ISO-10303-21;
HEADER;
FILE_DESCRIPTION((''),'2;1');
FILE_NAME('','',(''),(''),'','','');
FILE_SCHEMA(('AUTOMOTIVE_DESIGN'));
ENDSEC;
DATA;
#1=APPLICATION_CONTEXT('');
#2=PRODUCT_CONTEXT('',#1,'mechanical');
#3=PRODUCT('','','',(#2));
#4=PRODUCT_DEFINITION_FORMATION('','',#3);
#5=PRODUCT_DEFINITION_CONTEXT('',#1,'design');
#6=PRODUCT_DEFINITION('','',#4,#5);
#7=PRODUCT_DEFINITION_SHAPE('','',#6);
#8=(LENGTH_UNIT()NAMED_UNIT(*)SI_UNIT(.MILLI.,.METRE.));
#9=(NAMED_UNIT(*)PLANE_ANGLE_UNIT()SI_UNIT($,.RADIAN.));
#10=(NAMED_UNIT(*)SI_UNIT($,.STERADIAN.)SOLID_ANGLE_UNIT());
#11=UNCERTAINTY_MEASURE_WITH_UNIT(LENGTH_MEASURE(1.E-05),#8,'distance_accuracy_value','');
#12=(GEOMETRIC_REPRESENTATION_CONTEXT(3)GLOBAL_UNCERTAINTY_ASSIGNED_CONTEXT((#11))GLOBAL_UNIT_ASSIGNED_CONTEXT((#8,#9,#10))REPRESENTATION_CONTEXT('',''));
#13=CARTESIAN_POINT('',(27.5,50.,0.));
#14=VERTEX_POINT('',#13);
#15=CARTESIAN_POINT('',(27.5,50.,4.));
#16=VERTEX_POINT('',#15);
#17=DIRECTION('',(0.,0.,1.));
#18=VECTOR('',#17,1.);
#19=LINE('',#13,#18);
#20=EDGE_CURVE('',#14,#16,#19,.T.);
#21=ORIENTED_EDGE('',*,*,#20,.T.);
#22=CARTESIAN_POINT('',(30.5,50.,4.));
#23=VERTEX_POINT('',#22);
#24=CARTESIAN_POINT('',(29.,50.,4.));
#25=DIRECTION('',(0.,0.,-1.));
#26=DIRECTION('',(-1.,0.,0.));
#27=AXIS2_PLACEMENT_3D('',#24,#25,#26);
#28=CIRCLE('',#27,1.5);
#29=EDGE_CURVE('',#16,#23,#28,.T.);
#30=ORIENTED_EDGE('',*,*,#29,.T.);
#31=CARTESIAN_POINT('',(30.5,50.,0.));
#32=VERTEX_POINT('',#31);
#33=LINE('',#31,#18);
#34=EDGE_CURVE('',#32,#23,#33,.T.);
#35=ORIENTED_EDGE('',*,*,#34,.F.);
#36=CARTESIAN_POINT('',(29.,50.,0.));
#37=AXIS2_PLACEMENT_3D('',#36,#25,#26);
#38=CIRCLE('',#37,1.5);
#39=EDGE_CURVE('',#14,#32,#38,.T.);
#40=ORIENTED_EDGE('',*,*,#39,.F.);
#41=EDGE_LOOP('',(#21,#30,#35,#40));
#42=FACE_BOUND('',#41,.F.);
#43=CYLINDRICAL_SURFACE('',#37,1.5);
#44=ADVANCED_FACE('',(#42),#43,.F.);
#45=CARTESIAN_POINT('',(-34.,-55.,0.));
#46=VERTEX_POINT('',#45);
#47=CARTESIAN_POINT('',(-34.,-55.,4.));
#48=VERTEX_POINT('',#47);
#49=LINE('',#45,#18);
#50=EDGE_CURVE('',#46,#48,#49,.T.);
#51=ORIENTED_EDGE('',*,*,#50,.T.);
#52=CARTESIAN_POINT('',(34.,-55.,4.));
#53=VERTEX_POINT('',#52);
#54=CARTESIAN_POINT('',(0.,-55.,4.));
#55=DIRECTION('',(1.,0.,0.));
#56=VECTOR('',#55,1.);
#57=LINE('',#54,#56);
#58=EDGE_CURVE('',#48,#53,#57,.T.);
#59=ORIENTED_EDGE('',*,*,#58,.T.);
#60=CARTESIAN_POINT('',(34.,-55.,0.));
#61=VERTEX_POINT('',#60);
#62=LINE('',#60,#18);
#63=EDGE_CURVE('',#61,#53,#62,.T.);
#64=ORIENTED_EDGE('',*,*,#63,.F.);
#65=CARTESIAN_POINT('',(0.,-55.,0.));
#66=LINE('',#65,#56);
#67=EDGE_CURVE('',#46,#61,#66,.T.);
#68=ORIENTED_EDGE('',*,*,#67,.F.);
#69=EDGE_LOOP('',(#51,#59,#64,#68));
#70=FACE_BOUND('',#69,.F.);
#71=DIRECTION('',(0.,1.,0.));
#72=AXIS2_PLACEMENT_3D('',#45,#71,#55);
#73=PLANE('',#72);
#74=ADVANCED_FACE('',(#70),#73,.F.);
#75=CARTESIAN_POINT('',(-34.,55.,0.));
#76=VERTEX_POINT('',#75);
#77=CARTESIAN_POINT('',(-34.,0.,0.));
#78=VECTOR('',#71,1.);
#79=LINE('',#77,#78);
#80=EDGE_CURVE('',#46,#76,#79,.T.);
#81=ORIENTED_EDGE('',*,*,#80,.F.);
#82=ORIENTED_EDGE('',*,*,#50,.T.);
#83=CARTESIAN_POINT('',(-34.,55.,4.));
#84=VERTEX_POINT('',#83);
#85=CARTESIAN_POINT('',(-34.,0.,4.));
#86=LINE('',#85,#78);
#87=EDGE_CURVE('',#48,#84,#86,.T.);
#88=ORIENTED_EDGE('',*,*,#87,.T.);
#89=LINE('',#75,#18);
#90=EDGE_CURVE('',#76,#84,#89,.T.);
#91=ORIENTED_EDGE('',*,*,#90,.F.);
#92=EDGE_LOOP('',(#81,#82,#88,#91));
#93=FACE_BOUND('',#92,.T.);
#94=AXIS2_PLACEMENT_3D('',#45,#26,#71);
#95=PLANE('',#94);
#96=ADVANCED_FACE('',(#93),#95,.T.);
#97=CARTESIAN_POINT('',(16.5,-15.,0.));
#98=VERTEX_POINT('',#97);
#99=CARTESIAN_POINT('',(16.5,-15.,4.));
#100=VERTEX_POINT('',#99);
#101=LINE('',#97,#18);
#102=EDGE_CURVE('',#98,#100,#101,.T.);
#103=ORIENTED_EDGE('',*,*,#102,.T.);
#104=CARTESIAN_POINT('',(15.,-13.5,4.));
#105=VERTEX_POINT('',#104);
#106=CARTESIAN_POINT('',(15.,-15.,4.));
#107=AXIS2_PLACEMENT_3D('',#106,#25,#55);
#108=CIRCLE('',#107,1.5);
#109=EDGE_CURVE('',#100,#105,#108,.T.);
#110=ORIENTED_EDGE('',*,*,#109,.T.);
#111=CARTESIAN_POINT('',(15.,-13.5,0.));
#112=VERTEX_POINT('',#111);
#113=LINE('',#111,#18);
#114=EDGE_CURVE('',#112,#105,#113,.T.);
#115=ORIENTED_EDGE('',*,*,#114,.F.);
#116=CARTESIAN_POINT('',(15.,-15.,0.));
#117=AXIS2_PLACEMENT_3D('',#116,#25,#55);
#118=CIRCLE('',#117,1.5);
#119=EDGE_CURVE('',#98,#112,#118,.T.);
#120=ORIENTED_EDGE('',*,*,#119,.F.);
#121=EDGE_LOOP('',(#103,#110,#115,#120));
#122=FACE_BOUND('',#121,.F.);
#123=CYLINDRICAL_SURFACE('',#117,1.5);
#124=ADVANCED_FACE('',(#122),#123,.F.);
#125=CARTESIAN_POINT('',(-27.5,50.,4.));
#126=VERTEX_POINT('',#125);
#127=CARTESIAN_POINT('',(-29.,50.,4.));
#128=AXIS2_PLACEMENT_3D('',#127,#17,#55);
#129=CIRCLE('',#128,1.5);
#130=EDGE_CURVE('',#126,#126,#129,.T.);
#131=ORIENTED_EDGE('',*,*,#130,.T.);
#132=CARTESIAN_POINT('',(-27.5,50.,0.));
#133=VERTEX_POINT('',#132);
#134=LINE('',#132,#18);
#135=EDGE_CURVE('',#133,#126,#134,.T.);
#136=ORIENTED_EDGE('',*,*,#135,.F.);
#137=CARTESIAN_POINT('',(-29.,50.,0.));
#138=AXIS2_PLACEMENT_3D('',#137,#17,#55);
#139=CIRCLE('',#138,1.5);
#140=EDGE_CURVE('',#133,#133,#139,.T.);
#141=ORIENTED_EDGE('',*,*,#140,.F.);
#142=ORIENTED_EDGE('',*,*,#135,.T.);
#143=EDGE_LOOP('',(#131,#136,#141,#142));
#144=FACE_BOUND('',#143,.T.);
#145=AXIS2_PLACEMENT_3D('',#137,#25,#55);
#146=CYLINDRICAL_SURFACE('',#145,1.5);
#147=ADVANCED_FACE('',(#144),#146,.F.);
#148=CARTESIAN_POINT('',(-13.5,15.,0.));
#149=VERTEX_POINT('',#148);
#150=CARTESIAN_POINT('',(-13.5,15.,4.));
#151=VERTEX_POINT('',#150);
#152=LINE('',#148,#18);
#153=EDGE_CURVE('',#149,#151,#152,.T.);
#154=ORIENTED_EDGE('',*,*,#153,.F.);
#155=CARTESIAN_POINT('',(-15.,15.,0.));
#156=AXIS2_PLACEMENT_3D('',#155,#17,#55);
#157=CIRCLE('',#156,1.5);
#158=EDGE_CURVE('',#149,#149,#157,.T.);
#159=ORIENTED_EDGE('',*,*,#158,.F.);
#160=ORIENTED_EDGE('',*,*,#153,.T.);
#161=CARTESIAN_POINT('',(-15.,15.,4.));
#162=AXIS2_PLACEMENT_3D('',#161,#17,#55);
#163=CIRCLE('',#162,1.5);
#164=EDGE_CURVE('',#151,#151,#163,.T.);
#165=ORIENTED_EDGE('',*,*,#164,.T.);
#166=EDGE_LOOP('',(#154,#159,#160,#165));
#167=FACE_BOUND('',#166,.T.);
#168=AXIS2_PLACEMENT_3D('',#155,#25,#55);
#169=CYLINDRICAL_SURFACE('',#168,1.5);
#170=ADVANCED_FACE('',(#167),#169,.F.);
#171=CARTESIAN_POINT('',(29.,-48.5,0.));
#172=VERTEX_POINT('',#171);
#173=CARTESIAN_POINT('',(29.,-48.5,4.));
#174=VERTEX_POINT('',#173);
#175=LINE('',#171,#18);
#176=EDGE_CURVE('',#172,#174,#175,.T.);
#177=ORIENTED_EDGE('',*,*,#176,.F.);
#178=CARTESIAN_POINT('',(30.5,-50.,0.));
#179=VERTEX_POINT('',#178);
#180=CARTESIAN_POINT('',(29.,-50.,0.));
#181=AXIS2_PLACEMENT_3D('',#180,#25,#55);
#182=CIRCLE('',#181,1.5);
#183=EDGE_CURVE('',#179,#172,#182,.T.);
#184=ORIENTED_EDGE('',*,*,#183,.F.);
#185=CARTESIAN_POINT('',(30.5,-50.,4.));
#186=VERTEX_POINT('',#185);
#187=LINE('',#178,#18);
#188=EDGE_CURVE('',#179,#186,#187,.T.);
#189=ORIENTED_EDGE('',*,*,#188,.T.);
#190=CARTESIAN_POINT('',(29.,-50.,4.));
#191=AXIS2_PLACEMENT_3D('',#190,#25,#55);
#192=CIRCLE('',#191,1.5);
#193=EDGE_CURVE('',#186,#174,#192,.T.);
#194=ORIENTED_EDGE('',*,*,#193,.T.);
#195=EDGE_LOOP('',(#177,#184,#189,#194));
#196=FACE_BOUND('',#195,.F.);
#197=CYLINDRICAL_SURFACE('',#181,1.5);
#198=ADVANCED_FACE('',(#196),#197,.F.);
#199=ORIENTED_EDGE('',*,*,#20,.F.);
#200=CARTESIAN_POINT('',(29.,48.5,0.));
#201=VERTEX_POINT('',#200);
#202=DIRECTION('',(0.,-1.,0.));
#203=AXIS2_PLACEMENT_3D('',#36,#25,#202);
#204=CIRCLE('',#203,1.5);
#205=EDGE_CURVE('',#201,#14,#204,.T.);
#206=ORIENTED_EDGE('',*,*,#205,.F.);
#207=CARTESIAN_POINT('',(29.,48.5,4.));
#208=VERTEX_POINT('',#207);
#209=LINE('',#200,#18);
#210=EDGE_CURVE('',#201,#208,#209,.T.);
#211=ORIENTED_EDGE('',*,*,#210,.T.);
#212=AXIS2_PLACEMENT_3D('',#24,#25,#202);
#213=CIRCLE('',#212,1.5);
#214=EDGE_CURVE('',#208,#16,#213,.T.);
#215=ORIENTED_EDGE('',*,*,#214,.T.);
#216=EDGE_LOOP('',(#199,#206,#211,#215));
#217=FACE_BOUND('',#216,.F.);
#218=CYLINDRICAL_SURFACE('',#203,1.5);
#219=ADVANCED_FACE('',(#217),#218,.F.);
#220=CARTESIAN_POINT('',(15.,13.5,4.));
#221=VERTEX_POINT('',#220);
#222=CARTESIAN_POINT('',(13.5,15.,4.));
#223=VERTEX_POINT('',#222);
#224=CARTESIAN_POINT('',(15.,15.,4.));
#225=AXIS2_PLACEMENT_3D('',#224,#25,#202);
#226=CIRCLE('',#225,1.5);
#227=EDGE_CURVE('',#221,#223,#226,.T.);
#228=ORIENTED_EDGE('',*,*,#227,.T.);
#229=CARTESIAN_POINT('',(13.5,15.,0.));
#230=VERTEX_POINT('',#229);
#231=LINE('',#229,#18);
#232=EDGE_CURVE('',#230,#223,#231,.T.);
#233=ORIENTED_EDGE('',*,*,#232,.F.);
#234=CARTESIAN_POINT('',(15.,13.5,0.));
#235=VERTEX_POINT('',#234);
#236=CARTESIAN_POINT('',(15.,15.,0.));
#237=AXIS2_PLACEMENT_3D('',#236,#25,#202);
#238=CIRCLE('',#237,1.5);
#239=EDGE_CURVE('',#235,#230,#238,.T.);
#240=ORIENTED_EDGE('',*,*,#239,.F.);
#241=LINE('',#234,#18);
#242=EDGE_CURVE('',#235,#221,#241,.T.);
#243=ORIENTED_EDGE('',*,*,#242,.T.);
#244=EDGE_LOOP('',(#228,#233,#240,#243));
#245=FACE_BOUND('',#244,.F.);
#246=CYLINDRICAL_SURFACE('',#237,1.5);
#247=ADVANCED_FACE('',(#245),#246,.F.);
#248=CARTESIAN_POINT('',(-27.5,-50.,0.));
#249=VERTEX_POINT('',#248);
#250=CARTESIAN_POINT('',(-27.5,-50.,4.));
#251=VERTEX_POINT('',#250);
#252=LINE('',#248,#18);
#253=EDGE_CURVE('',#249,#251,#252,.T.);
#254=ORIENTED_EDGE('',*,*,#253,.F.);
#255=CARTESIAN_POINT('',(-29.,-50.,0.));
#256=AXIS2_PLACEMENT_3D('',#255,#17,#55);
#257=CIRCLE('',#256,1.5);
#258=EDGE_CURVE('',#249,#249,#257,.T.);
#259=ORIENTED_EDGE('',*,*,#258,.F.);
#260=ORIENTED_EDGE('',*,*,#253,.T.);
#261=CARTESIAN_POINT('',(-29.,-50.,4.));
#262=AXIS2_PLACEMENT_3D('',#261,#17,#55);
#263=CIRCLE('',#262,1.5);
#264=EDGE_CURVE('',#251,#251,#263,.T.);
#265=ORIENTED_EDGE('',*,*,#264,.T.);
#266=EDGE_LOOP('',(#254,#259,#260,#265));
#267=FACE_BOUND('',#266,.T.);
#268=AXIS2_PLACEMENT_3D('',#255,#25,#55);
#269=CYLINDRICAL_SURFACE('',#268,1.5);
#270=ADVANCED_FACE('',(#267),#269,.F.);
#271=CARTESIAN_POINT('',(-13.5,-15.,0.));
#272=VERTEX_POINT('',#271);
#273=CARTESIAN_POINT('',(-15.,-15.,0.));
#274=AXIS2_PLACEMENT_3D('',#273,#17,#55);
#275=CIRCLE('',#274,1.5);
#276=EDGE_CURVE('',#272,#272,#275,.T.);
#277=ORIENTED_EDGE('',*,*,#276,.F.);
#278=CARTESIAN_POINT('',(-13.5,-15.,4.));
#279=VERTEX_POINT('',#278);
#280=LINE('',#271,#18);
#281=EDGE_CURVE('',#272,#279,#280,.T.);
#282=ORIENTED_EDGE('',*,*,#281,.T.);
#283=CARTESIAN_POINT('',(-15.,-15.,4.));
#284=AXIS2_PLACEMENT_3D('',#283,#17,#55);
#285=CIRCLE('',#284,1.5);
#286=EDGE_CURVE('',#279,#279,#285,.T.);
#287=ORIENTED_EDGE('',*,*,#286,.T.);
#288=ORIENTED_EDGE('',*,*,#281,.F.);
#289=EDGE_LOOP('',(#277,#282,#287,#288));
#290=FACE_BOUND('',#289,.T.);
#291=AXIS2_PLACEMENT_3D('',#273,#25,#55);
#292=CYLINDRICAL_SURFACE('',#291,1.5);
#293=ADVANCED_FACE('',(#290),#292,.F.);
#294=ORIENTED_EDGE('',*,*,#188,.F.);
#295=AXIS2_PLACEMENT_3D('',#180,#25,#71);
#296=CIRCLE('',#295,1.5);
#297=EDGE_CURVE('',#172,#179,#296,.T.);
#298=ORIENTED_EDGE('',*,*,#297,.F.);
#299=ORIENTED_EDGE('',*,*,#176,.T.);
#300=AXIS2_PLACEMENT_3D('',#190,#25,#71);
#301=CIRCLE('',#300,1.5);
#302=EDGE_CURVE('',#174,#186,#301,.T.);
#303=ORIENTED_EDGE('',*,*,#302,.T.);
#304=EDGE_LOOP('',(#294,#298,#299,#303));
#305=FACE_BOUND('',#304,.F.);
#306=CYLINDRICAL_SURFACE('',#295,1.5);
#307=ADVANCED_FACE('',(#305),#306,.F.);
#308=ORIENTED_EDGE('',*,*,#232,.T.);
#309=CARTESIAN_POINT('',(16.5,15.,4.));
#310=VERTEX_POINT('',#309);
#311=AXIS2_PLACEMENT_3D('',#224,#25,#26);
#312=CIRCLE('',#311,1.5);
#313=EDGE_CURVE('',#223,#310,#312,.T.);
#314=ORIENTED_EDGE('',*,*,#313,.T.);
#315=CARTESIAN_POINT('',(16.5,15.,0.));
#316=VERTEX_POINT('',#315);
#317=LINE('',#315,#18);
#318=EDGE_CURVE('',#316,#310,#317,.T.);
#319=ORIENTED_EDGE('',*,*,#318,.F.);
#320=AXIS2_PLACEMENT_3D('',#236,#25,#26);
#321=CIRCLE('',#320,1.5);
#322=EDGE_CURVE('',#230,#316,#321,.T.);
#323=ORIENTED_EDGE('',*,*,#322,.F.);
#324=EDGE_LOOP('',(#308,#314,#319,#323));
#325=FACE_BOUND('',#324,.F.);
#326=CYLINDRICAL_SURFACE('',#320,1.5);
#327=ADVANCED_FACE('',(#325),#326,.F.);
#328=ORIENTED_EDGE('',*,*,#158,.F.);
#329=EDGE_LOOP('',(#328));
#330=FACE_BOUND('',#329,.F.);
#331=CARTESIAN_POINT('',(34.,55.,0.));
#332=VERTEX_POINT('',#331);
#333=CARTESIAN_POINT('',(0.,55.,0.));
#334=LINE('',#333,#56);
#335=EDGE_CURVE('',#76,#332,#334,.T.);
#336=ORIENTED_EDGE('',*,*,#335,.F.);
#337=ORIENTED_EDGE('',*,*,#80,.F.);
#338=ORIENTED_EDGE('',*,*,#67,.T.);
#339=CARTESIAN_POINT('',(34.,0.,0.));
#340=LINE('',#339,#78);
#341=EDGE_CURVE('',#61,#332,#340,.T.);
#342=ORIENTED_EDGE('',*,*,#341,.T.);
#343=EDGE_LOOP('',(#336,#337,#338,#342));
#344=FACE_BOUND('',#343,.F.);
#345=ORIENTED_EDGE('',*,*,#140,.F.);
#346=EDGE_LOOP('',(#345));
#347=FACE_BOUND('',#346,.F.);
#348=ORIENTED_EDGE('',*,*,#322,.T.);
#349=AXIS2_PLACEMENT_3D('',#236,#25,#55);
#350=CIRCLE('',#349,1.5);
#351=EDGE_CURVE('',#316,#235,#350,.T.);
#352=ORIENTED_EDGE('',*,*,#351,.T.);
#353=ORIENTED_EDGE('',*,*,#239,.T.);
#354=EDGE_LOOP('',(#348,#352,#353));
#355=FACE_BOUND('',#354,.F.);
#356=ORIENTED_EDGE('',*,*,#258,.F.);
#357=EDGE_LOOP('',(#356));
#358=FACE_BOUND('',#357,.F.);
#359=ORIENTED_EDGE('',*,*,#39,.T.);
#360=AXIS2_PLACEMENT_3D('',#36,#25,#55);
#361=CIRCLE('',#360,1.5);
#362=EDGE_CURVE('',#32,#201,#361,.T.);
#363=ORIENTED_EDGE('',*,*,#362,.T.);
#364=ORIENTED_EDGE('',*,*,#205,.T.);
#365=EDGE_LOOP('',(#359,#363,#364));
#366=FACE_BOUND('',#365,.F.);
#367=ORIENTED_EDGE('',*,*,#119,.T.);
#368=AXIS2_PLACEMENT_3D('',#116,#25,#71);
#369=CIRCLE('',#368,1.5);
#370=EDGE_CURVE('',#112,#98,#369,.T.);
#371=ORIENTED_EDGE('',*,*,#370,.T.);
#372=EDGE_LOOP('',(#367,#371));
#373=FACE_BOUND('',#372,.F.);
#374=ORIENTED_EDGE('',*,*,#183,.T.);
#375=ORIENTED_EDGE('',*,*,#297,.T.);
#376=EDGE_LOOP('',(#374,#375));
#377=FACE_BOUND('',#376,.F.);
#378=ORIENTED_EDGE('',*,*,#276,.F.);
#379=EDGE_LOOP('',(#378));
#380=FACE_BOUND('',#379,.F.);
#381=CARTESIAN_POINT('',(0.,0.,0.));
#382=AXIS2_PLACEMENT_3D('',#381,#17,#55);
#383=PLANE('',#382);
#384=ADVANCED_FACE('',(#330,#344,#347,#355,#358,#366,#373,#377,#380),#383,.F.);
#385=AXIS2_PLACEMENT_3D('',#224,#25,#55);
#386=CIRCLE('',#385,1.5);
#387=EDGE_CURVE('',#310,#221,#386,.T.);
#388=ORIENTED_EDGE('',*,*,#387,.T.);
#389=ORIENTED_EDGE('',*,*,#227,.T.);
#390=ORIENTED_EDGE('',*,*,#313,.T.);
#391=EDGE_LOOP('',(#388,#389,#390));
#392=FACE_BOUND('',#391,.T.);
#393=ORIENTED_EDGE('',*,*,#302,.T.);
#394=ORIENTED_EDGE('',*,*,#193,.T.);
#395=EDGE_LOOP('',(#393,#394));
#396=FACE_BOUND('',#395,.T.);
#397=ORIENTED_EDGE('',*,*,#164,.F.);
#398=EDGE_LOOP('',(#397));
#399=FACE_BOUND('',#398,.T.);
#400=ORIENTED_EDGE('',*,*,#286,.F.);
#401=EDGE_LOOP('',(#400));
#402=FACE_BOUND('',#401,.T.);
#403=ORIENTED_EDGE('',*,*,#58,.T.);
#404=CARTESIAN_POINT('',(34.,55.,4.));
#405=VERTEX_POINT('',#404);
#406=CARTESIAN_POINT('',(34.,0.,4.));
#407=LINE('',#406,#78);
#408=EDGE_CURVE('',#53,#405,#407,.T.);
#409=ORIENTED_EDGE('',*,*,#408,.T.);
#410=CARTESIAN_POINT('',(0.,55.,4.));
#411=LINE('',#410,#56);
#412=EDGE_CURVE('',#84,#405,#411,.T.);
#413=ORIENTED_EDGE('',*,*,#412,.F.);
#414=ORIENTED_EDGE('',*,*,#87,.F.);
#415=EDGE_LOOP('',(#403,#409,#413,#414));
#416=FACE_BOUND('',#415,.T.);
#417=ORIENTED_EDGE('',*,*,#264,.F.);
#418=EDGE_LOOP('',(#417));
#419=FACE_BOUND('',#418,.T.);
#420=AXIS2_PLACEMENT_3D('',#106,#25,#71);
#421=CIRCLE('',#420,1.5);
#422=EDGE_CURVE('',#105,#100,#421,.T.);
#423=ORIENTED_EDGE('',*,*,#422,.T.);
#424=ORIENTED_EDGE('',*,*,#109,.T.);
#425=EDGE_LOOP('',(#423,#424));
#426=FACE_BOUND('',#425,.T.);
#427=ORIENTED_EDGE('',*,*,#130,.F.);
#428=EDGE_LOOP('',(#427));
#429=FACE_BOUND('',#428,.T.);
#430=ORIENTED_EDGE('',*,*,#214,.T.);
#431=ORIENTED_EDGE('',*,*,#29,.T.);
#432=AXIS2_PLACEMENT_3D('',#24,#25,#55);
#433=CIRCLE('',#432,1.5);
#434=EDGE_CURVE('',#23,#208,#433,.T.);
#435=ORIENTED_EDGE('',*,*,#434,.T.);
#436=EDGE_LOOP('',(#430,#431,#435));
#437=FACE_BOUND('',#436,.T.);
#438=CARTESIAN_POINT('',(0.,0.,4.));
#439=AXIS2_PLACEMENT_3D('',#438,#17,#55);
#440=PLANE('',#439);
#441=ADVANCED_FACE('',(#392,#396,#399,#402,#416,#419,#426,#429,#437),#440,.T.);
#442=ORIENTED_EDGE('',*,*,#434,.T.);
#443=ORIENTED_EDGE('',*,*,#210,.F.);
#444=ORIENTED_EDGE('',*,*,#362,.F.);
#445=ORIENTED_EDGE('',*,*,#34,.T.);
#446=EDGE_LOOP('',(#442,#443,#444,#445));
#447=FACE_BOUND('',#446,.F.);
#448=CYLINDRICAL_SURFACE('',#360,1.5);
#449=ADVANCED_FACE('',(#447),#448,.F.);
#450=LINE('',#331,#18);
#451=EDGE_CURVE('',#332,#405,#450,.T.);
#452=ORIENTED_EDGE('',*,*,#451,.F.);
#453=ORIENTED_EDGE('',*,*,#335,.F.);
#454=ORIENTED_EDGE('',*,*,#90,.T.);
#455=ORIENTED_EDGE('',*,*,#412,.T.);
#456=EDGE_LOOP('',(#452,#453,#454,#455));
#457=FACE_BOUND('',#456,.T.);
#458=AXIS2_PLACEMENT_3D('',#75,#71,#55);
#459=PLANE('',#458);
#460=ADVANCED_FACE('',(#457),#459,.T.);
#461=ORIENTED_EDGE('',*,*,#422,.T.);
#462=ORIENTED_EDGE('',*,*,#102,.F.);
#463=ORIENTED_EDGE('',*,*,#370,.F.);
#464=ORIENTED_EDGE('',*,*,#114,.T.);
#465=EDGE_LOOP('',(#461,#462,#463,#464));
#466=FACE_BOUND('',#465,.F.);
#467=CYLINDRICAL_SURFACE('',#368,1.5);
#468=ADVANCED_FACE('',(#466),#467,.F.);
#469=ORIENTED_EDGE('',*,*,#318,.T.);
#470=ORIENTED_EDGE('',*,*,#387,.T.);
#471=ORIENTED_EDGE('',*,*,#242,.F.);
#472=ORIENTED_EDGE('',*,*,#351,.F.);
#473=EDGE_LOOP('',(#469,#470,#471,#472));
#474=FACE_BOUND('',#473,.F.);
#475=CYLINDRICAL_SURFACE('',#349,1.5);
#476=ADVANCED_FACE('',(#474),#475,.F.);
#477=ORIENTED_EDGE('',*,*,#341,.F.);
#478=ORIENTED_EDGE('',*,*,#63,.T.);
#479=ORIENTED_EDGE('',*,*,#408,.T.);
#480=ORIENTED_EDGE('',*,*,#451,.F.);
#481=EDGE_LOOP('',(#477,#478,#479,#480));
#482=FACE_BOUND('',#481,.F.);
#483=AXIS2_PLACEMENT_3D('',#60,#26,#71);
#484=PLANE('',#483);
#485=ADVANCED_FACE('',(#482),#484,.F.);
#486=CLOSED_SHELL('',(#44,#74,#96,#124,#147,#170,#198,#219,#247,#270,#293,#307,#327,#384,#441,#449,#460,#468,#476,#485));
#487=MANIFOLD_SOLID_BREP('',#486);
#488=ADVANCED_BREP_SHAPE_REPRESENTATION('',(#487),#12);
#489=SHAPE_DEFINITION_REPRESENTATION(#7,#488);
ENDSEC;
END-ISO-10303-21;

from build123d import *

# Parameters (mm, degrees)
F0_W     = 68
F0_H     = 110
F0_R     = 1.5
F1_DEPTH = 4


with BuildPart() as f1:
    # F0 (on Top) → F1 (new body)
    with BuildSketch(Plane.XY):
        Rectangle(F0_W, F0_H)
        with Locations((-29, -50)):
            Circle(F0_R, mode=Mode.SUBTRACT)
        with Locations((-15, -15)):
            Circle(F0_R, mode=Mode.SUBTRACT)
        with BuildLine():
            ThreePointArc((30.5, -50), (27.9393398282, -51.0606601718), (29, -48.5))
            ThreePointArc((29, -48.5), (30.0606601718, -48.9393398282), (30.5, -50))
        make_face(mode=Mode.SUBTRACT)
        with BuildLine():
            ThreePointArc((16.5, -15), (13.9393398282, -16.0606601718), (15, -13.5))
            ThreePointArc((15, -13.5), (16.0606601718, -13.9393398282), (16.5, -15))
        make_face(mode=Mode.SUBTRACT)
        with Locations((-15, 15)):
            Circle(F0_R, mode=Mode.SUBTRACT)
        with Locations((-29, 50)):
            Circle(F0_R, mode=Mode.SUBTRACT)
        with BuildLine():
            ThreePointArc((15, 13.5), (13.9393398282, 13.9393398282), (13.5, 15))
            ThreePointArc((13.5, 15), (15, 16.5), (16.5, 15))
            ThreePointArc((16.5, 15), (16.0606601718, 13.9393398282), (15, 13.5))
        make_face(mode=Mode.SUBTRACT)
        with BuildLine():
            ThreePointArc((29, 48.5), (27.9393398282, 48.9393398282), (27.5, 50))
            ThreePointArc((27.5, 50), (29, 51.5), (30.5, 50))
            ThreePointArc((30.5, 50), (30.0606601718, 48.9393398282), (29, 48.5))
        make_face(mode=Mode.SUBTRACT)
    extrude(amount=F1_DEPTH)


solid = f1.part
